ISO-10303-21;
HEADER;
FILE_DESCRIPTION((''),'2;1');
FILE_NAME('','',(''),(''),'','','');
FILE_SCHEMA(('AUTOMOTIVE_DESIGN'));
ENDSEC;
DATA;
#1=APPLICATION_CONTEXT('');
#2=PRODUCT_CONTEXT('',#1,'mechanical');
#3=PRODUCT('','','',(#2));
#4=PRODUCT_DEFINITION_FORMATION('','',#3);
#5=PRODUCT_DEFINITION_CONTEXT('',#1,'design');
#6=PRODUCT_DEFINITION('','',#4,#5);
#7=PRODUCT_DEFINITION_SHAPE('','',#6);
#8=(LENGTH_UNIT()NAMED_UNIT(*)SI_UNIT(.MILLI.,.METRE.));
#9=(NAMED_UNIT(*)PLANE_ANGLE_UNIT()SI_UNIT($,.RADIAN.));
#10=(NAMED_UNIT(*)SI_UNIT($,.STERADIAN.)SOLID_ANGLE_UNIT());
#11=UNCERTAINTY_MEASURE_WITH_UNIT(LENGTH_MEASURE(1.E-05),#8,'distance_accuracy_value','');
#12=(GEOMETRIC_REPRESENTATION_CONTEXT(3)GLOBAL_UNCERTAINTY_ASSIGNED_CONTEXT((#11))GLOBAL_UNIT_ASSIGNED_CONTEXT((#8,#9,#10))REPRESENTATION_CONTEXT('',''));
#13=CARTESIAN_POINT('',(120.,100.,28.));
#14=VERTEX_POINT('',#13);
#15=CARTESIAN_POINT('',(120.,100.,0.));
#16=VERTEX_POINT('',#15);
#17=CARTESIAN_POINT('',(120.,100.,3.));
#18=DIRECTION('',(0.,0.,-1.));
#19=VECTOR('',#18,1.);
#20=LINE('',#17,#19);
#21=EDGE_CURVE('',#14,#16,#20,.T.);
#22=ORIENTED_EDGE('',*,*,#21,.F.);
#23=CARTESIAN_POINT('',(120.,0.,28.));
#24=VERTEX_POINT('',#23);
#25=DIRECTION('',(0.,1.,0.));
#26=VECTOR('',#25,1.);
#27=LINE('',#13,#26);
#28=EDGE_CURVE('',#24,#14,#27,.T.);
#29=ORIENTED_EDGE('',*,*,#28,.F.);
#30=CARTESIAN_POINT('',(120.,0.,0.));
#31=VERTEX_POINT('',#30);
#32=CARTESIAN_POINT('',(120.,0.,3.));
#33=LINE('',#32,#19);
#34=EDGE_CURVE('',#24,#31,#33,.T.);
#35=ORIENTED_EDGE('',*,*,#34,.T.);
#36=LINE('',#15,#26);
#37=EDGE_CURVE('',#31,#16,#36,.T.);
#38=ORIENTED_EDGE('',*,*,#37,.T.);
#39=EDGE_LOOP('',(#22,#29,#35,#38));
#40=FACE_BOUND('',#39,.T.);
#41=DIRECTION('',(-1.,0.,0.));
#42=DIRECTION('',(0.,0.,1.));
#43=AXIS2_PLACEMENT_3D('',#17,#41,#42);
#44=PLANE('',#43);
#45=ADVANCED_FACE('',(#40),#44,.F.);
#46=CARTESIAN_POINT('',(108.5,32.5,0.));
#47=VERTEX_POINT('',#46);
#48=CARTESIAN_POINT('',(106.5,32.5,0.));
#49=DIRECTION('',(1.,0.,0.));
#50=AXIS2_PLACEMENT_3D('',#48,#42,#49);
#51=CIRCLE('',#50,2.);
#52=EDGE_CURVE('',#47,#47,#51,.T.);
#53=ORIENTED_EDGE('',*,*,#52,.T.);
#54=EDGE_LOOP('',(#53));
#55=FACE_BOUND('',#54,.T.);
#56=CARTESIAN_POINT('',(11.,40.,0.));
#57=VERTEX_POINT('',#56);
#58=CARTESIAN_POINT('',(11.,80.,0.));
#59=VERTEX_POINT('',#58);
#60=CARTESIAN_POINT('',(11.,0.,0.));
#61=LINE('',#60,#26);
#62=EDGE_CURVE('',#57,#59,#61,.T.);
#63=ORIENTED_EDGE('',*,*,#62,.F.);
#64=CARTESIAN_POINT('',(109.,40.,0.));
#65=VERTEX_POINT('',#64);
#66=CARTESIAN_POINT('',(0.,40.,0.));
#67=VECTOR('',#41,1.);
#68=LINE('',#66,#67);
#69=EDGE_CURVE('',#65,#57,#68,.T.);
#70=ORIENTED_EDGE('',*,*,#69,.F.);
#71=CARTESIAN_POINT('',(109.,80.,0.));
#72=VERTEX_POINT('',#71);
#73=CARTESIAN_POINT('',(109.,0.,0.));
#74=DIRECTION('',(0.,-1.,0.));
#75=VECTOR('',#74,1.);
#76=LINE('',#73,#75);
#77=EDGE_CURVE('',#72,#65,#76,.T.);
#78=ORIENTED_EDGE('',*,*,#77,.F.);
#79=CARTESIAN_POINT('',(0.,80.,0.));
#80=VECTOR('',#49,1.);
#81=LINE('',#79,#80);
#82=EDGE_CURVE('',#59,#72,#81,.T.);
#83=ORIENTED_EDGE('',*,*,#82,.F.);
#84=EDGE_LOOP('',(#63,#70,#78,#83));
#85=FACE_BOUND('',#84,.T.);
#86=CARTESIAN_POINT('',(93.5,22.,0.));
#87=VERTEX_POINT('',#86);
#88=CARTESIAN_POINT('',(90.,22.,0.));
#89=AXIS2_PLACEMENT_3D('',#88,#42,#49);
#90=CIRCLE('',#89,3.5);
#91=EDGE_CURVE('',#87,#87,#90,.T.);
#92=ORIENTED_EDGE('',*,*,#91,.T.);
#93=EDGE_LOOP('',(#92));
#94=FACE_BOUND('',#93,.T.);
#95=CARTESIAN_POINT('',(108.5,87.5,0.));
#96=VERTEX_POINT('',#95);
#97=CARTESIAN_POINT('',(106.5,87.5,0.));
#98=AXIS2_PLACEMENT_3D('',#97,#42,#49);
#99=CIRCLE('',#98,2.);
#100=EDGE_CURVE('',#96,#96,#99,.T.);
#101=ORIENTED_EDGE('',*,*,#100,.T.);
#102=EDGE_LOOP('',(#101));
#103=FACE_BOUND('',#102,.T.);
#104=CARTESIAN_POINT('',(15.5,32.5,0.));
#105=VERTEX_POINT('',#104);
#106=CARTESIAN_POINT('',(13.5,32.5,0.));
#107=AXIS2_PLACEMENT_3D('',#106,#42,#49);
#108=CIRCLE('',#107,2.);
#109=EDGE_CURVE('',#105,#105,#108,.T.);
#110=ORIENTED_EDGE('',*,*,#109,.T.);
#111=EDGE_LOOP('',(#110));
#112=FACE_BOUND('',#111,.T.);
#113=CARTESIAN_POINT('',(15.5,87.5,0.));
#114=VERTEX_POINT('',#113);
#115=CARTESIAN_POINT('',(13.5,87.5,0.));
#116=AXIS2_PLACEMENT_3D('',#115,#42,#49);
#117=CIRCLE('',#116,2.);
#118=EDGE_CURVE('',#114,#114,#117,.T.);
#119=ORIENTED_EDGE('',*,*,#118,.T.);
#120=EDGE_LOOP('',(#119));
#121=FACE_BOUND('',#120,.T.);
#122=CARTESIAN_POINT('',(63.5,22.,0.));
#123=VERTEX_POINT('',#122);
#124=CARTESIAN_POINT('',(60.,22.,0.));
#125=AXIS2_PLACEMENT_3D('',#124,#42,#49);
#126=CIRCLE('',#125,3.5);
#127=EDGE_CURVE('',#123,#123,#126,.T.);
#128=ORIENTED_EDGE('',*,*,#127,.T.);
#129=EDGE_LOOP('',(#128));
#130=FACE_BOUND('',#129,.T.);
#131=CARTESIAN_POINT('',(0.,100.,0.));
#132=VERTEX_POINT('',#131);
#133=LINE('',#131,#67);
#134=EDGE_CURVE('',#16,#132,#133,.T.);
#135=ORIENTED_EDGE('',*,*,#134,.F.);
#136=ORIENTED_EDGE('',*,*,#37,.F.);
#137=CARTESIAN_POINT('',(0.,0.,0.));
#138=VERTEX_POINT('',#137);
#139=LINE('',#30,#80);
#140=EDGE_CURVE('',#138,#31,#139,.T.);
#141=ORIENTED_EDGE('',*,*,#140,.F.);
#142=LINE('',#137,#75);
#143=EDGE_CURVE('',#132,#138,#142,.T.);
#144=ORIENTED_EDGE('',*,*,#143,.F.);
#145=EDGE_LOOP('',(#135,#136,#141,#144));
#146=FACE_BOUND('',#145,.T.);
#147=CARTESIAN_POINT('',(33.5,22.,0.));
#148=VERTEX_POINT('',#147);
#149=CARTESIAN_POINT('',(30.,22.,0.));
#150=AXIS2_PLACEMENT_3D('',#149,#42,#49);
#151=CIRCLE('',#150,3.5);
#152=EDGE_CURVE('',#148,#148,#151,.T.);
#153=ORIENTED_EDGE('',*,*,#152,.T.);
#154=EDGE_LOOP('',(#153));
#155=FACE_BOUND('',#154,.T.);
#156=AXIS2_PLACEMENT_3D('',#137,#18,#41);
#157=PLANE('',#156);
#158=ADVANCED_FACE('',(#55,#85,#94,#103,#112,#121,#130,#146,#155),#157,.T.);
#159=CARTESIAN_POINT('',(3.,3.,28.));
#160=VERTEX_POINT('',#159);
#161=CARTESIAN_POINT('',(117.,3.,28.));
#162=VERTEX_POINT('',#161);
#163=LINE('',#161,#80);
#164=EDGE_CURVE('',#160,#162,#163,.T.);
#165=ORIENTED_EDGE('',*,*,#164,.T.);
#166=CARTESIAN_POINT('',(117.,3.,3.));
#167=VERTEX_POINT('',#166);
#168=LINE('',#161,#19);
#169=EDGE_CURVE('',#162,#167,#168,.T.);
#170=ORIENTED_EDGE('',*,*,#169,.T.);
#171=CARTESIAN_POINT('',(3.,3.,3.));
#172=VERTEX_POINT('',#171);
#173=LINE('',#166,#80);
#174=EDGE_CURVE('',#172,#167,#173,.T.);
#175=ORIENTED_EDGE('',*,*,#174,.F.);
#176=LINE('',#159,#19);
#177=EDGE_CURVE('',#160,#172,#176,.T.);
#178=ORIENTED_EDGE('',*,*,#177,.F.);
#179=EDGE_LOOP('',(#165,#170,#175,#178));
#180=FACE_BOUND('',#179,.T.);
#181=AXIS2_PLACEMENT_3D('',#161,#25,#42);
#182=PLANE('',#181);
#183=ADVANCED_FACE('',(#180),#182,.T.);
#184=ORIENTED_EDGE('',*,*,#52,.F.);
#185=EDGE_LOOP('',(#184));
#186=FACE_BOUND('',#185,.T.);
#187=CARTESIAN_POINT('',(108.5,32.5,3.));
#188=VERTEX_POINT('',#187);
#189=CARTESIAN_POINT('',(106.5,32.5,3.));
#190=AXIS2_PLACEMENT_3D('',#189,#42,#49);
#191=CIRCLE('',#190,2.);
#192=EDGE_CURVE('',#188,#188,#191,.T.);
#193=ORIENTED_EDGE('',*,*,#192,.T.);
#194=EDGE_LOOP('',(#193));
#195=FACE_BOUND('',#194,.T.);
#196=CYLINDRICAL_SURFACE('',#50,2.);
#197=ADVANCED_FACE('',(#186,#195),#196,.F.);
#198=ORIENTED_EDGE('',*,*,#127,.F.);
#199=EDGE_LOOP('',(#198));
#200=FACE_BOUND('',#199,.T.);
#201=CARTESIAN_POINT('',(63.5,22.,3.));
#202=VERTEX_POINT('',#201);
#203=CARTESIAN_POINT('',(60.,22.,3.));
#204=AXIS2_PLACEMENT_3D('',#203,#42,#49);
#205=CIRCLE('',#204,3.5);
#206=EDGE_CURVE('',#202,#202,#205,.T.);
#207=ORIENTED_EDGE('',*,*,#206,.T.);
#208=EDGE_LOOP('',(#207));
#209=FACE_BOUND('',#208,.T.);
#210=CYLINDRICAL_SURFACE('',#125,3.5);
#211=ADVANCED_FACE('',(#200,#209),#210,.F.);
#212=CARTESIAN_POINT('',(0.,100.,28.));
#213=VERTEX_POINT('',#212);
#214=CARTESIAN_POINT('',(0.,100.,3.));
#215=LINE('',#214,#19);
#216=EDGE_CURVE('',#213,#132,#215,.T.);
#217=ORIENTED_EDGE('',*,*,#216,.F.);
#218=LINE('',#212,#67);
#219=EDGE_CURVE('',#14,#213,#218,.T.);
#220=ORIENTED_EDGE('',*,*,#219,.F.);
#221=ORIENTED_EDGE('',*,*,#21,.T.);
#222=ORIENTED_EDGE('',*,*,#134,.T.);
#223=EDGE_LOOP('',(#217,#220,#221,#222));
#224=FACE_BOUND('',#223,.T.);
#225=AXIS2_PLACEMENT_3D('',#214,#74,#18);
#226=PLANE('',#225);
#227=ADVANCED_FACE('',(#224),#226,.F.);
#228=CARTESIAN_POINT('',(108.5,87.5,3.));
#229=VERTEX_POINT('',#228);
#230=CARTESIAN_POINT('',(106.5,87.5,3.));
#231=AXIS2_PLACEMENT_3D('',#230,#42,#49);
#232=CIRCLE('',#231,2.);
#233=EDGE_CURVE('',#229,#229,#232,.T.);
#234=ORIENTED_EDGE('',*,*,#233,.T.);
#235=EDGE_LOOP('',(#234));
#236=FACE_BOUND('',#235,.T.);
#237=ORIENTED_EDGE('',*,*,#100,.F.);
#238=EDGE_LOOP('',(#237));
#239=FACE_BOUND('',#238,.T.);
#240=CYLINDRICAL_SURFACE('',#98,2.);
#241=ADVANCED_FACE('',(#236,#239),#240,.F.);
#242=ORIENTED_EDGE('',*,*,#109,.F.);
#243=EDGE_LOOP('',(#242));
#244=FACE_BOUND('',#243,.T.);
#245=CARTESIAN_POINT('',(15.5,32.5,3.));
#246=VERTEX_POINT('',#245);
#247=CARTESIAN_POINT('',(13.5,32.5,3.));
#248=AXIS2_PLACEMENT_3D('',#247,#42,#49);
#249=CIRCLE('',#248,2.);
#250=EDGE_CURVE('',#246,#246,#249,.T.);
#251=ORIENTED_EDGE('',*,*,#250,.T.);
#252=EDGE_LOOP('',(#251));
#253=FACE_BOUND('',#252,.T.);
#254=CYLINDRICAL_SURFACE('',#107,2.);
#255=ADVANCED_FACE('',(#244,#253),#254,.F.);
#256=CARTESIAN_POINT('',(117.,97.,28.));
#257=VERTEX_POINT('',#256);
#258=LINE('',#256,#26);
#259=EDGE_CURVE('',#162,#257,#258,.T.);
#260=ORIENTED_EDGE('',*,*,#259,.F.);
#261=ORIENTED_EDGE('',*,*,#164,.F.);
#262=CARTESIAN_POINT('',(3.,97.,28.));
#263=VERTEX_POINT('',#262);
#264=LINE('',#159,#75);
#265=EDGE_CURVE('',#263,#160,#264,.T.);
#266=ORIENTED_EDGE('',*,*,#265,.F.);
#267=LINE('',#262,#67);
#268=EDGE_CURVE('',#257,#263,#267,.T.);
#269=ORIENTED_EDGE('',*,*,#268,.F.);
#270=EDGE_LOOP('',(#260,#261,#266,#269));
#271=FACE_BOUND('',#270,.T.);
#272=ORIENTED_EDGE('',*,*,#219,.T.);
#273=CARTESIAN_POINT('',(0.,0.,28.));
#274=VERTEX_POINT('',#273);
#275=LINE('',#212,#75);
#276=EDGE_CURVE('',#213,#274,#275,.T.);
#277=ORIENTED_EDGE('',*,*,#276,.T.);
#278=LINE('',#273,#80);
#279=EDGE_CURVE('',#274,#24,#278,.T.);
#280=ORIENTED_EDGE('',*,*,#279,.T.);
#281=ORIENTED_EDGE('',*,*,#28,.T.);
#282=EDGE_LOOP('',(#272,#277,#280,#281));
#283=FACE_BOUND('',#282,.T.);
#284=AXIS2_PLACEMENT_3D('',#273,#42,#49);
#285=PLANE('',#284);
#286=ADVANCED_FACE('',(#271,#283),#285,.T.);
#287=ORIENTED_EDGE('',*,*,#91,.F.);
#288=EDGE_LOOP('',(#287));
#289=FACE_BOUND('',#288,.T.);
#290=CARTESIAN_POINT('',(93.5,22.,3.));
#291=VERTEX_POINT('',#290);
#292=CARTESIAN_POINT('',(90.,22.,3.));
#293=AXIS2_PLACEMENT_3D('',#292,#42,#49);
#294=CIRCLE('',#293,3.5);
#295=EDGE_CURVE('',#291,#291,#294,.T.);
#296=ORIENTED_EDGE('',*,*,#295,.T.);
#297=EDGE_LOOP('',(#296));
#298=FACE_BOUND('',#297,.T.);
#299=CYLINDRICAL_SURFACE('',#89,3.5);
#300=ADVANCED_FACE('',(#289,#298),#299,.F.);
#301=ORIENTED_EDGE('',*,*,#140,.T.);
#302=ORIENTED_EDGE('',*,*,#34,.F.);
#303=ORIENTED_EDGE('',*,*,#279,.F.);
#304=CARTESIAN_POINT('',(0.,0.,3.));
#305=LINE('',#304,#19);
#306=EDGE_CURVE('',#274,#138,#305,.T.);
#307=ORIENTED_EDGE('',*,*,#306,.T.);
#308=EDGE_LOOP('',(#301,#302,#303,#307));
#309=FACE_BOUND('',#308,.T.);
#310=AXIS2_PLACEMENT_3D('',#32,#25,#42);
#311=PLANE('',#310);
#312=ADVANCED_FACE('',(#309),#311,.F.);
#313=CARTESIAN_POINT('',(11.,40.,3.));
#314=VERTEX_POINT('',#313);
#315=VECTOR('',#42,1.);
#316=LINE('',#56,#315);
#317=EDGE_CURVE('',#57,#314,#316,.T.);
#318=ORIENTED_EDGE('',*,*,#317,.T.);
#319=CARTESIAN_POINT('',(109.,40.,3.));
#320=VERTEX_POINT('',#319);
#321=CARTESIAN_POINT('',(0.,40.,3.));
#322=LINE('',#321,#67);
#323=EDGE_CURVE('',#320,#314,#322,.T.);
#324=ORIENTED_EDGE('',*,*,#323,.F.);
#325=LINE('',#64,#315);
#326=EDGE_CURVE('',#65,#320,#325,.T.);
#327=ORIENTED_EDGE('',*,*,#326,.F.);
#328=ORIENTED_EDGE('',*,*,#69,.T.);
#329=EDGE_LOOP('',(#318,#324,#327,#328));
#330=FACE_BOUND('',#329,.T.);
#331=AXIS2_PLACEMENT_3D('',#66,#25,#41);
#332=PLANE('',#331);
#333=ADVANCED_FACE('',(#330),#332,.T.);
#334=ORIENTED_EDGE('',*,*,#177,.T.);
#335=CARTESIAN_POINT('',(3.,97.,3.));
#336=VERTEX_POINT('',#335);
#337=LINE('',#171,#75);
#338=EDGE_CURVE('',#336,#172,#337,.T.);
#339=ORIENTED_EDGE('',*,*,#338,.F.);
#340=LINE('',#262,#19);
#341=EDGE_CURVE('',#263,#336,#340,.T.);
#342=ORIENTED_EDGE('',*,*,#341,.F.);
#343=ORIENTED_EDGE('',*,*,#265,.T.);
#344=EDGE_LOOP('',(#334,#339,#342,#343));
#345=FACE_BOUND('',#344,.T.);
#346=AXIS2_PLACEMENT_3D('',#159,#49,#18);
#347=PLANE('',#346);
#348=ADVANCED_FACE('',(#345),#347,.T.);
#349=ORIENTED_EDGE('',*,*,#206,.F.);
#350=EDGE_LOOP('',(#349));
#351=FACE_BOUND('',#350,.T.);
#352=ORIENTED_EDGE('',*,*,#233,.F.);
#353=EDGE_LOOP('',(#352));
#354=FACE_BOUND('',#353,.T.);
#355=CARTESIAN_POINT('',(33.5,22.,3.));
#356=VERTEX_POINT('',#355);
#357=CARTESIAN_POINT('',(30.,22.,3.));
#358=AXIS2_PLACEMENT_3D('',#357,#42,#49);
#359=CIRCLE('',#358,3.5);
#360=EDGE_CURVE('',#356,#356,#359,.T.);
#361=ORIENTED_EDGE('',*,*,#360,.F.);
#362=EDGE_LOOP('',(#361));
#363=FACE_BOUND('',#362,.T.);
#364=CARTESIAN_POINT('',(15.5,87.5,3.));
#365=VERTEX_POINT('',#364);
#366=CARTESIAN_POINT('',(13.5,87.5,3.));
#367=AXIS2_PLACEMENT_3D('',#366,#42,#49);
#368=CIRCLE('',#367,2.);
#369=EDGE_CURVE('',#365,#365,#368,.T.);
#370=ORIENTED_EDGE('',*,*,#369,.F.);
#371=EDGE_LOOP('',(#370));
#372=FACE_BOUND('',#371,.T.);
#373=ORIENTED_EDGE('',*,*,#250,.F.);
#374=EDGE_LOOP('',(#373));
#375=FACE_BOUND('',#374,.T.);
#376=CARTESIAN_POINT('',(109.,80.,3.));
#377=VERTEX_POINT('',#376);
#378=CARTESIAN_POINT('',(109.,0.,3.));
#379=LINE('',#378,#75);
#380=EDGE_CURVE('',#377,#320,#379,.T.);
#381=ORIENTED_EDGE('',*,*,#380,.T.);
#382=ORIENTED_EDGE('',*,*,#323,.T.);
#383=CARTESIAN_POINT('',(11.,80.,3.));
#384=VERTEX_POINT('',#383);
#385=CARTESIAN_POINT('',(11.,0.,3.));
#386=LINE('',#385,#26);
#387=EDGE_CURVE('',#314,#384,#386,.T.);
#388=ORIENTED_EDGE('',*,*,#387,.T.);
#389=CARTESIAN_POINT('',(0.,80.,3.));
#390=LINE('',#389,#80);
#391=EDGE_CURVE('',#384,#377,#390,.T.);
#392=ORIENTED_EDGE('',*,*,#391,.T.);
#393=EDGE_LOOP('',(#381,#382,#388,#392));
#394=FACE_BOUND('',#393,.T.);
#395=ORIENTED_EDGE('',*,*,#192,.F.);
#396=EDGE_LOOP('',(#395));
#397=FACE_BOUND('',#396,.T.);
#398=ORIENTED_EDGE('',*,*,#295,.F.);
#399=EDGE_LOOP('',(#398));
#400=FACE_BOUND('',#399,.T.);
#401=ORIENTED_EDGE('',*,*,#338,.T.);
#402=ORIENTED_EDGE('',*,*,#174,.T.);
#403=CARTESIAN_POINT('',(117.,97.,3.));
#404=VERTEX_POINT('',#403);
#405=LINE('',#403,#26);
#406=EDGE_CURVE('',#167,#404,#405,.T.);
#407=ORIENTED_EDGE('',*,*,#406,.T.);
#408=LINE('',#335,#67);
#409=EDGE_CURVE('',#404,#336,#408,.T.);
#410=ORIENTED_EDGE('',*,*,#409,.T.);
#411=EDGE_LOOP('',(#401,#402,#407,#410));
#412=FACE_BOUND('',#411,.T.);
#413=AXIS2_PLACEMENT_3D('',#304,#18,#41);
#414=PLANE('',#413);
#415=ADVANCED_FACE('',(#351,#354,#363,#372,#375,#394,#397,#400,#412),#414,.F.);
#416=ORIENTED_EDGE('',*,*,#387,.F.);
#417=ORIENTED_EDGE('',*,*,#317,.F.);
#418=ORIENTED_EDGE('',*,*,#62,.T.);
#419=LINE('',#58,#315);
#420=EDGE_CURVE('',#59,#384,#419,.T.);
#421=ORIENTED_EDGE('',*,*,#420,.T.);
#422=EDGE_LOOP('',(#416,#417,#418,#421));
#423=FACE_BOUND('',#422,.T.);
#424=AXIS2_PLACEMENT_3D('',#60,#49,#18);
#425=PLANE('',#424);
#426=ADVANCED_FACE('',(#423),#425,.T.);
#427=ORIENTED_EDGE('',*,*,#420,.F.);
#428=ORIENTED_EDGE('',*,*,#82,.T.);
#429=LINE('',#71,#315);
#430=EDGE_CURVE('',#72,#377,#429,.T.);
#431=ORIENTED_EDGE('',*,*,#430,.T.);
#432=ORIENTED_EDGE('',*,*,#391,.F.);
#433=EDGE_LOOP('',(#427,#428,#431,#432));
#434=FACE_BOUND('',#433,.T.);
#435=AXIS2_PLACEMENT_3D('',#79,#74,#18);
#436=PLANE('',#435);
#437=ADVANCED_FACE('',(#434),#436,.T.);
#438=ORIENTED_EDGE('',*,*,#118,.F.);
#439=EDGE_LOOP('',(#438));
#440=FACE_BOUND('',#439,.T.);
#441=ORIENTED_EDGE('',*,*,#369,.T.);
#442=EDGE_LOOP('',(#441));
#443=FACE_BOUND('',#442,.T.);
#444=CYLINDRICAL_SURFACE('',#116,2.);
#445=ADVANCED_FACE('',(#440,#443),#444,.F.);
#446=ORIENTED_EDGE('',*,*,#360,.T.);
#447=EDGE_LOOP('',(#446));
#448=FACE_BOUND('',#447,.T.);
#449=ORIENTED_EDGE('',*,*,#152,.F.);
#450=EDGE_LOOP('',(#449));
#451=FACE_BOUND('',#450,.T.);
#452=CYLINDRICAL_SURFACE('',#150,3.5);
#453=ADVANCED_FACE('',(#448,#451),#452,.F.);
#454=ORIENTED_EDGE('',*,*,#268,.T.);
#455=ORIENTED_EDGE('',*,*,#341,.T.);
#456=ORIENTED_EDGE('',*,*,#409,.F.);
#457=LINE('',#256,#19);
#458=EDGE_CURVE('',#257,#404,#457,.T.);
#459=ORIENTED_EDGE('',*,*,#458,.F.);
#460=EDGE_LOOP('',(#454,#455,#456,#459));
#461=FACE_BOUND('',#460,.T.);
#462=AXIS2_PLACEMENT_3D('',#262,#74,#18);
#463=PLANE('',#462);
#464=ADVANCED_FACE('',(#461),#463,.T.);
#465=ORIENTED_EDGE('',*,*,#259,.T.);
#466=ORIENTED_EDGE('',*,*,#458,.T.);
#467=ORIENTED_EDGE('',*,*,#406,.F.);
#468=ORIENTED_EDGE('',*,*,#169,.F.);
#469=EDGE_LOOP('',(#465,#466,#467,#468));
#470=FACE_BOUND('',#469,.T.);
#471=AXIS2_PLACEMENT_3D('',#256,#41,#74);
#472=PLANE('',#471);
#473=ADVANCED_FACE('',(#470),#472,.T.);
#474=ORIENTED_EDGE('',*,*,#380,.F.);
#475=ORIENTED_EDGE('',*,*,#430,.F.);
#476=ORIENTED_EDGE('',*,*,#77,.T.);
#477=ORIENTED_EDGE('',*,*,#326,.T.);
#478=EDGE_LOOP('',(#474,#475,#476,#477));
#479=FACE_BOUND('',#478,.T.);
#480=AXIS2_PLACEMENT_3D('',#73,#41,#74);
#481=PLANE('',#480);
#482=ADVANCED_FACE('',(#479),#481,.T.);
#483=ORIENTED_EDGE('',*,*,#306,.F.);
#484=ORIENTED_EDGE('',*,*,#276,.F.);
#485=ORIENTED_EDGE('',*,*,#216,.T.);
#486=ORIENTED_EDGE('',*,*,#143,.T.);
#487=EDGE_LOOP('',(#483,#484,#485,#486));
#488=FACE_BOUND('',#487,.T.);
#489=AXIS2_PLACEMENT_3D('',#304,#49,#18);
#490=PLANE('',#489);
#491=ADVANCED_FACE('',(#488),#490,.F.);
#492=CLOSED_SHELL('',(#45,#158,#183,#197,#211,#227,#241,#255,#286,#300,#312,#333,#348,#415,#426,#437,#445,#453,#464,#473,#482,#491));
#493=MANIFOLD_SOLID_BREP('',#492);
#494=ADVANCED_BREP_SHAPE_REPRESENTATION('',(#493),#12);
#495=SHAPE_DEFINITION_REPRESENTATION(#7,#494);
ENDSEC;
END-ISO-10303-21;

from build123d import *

# Parameters (mm, degrees)
CROQUIS1_W              = 120
CROQUIS1_H              = 100
SALIENTE_EXTRUIR1_DEPTH = 3
CROQUIS2_R              = 2
CROQUIS2_R_2            = 3.5
CORTAR_EXTRUIR1_DEPTH   = 3
CROQUIS3_W              = 120
CROQUIS3_H              = 100
CROQUIS3_W_2            = 114
CROQUIS3_H_2            = 94
SALIENTE_EXTRUIR2_DEPTH = 25


with BuildPart() as part:
    # Croquis1 → Saliente-Extruir1 (new body)
    with BuildSketch(Plane.XY):
        with Locations((60, 50)):
            Rectangle(CROQUIS1_W, CROQUIS1_H)
    extrude(amount=SALIENTE_EXTRUIR1_DEPTH)

    # Croquis2 → Cortar-Extruir1 (cut)
    with BuildSketch(Plane.XY.offset(3)):
        Polygon((11, 80), (11, 60), (11, 40), (109, 40), (109, 80), align=None)
        with Locations((13.5, 87.5)):
            Circle(CROQUIS2_R)
        with Locations((106.5, 87.5)):
            Circle(CROQUIS2_R)
        with Locations((106.5, 32.5)):
            Circle(CROQUIS2_R)
        with Locations((13.5, 32.5)):
            Circle(CROQUIS2_R)
        with Locations((30, 22)):
            Circle(CROQUIS2_R_2)
        with Locations((60, 22)):
            Circle(CROQUIS2_R_2)
        with Locations((90, 22)):
            Circle(CROQUIS2_R_2)
    extrude(amount=-CORTAR_EXTRUIR1_DEPTH, mode=Mode.SUBTRACT)

    # Croquis3 → Saliente-Extruir2 (add)
    with BuildSketch(Plane.XY.offset(3)):
        with Locations((60, 50)):
            Rectangle(CROQUIS3_W, CROQUIS3_H)
        with Locations((60, 50)):
            Rectangle(CROQUIS3_W_2, CROQUIS3_H_2, mode=Mode.SUBTRACT)
    extrude(amount=SALIENTE_EXTRUIR2_DEPTH)


solid = part.part
